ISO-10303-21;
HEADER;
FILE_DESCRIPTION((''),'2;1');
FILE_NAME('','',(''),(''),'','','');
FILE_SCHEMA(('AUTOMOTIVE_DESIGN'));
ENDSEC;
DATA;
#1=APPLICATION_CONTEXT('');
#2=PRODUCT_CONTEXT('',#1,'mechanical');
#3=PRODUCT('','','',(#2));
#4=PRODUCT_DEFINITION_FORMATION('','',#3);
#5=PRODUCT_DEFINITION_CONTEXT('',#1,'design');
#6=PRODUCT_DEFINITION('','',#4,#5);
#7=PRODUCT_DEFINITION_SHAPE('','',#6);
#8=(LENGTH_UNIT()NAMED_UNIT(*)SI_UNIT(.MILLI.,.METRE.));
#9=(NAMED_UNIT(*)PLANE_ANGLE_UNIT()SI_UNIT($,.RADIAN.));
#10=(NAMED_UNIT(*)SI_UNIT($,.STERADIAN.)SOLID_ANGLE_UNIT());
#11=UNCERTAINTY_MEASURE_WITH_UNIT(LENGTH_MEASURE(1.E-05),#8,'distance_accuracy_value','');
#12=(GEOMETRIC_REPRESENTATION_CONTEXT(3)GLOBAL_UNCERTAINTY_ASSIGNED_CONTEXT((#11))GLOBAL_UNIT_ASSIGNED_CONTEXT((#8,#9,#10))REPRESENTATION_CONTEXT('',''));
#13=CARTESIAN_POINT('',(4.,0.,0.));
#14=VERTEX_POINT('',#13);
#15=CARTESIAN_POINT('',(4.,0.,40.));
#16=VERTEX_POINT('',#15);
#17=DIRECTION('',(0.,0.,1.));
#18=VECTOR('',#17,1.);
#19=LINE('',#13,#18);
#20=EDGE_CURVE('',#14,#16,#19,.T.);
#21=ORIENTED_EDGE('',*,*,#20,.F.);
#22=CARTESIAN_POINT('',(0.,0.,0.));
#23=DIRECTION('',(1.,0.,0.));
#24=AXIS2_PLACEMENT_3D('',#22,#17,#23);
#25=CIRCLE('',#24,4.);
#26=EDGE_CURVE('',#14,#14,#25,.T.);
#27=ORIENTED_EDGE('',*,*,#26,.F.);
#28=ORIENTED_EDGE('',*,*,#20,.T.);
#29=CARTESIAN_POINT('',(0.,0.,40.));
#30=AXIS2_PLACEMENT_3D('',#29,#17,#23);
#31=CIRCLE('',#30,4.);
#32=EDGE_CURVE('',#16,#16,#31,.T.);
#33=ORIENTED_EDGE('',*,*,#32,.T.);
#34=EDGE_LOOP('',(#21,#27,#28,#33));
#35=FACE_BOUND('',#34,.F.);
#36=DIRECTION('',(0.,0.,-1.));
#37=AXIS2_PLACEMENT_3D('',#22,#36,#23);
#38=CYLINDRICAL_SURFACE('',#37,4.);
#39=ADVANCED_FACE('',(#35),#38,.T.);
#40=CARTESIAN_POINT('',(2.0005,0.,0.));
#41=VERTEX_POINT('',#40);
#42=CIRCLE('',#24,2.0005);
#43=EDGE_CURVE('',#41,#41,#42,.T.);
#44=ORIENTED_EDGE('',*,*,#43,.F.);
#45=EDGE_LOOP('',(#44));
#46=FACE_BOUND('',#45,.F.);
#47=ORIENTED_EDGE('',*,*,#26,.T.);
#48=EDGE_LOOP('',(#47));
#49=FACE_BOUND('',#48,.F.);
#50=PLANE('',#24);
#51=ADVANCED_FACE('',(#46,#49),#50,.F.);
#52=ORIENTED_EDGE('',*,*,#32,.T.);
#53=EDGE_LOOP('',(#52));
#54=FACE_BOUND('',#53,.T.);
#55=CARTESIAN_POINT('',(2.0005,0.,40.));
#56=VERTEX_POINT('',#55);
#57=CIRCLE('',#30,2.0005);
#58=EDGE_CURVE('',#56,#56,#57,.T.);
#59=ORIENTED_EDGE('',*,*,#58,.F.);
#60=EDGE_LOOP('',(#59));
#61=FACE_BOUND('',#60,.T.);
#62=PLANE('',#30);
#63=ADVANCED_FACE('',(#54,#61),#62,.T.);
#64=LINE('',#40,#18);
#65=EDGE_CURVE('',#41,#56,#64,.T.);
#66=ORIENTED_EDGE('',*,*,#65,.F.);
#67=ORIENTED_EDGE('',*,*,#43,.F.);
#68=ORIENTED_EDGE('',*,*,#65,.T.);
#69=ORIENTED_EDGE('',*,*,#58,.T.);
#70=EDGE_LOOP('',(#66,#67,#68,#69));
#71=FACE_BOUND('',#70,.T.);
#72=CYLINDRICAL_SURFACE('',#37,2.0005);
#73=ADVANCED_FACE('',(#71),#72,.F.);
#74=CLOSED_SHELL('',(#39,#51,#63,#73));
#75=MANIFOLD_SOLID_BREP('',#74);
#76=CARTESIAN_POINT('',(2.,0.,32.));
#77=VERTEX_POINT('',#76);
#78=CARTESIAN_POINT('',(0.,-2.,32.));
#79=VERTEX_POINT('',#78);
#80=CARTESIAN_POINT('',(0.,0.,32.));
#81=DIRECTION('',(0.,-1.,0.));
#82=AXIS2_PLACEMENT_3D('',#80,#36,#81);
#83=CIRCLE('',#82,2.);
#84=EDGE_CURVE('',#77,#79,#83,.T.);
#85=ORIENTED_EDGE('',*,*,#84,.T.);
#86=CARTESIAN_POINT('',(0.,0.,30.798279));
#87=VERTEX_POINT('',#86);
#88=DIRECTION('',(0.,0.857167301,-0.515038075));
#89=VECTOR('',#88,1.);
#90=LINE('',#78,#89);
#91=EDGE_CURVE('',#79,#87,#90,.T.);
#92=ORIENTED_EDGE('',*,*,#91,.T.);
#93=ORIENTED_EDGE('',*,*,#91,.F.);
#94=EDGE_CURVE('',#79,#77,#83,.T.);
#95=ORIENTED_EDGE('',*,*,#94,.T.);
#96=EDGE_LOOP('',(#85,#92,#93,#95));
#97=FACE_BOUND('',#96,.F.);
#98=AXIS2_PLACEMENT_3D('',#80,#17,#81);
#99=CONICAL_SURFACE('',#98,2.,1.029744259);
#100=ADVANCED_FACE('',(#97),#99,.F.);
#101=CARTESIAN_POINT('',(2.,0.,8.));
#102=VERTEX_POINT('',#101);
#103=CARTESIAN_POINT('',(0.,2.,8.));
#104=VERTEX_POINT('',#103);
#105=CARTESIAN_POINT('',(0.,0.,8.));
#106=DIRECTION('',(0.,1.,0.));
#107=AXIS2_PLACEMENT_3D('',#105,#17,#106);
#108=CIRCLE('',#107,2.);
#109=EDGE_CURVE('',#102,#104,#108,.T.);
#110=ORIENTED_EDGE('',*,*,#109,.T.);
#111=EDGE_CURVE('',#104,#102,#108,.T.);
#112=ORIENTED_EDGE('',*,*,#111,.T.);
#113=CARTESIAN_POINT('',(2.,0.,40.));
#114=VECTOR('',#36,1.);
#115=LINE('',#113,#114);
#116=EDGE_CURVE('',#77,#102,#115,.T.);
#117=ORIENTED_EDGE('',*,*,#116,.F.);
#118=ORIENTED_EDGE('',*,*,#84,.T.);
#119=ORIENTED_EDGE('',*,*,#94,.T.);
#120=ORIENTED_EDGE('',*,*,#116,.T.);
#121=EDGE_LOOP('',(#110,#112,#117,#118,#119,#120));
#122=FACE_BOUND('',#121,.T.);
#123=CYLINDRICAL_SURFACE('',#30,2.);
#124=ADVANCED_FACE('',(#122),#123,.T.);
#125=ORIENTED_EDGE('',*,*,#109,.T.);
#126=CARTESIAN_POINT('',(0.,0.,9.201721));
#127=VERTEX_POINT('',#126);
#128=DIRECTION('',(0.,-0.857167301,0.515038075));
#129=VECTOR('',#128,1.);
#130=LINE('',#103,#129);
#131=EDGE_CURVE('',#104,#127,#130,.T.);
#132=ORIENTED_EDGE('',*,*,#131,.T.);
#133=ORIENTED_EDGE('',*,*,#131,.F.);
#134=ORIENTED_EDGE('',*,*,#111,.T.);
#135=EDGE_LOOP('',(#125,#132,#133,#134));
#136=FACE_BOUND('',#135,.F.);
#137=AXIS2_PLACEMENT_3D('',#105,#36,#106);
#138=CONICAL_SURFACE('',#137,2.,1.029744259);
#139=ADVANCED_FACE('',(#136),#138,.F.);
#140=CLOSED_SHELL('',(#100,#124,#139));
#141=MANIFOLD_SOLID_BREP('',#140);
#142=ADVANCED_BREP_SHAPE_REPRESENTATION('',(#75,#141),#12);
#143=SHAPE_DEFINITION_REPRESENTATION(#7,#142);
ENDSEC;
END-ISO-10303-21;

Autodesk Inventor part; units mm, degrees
ref_plane "YZ Plane" through (0, 0, 0) normal (1, 0, 0) x (0, 1, 0)
ref_plane "XZ Plane" through (0, 0, 0) normal (0, 1, 0) x (-1, 0, 0)
ref_plane "XY Plane" through (0, 0, 0) normal (0, 0, 1) x (1, 0, 0)
sketch "スケッチ1" plane through (0, 0, 0) normal (0, 0, 1) x (1, 0, 0)
  circle A0 centre (0, 0) radius 4
  circle A1 centre (0, 0) radius 2.0005
  dimension "d0" = 8
  dimension "d1" = 4.001
extrude "押し出し1" add sketch "スケッチ1" along normal blind 40
sketch "スケッチ2" plane through (0, 0, 40) normal (0, 0, 1) x (1, 0, 0)
  circle A0 centre (0, 0) radius 2
  dimension "d4" = 4
extrude "押し出し2" add sketch "スケッチ2" against normal blind 40
hole "穴1" at (0, 0, 40) direction (0, 0, -1) diameter 4 depth 8 tip angle 118
hole "穴2" at (0, 0, 0) direction (0, 0, 1) diameter 4 depth 8 tip angle 118
properties part number "スペーサーm4-40　簡易筒型" material "アルミニウム 2014-T4"
